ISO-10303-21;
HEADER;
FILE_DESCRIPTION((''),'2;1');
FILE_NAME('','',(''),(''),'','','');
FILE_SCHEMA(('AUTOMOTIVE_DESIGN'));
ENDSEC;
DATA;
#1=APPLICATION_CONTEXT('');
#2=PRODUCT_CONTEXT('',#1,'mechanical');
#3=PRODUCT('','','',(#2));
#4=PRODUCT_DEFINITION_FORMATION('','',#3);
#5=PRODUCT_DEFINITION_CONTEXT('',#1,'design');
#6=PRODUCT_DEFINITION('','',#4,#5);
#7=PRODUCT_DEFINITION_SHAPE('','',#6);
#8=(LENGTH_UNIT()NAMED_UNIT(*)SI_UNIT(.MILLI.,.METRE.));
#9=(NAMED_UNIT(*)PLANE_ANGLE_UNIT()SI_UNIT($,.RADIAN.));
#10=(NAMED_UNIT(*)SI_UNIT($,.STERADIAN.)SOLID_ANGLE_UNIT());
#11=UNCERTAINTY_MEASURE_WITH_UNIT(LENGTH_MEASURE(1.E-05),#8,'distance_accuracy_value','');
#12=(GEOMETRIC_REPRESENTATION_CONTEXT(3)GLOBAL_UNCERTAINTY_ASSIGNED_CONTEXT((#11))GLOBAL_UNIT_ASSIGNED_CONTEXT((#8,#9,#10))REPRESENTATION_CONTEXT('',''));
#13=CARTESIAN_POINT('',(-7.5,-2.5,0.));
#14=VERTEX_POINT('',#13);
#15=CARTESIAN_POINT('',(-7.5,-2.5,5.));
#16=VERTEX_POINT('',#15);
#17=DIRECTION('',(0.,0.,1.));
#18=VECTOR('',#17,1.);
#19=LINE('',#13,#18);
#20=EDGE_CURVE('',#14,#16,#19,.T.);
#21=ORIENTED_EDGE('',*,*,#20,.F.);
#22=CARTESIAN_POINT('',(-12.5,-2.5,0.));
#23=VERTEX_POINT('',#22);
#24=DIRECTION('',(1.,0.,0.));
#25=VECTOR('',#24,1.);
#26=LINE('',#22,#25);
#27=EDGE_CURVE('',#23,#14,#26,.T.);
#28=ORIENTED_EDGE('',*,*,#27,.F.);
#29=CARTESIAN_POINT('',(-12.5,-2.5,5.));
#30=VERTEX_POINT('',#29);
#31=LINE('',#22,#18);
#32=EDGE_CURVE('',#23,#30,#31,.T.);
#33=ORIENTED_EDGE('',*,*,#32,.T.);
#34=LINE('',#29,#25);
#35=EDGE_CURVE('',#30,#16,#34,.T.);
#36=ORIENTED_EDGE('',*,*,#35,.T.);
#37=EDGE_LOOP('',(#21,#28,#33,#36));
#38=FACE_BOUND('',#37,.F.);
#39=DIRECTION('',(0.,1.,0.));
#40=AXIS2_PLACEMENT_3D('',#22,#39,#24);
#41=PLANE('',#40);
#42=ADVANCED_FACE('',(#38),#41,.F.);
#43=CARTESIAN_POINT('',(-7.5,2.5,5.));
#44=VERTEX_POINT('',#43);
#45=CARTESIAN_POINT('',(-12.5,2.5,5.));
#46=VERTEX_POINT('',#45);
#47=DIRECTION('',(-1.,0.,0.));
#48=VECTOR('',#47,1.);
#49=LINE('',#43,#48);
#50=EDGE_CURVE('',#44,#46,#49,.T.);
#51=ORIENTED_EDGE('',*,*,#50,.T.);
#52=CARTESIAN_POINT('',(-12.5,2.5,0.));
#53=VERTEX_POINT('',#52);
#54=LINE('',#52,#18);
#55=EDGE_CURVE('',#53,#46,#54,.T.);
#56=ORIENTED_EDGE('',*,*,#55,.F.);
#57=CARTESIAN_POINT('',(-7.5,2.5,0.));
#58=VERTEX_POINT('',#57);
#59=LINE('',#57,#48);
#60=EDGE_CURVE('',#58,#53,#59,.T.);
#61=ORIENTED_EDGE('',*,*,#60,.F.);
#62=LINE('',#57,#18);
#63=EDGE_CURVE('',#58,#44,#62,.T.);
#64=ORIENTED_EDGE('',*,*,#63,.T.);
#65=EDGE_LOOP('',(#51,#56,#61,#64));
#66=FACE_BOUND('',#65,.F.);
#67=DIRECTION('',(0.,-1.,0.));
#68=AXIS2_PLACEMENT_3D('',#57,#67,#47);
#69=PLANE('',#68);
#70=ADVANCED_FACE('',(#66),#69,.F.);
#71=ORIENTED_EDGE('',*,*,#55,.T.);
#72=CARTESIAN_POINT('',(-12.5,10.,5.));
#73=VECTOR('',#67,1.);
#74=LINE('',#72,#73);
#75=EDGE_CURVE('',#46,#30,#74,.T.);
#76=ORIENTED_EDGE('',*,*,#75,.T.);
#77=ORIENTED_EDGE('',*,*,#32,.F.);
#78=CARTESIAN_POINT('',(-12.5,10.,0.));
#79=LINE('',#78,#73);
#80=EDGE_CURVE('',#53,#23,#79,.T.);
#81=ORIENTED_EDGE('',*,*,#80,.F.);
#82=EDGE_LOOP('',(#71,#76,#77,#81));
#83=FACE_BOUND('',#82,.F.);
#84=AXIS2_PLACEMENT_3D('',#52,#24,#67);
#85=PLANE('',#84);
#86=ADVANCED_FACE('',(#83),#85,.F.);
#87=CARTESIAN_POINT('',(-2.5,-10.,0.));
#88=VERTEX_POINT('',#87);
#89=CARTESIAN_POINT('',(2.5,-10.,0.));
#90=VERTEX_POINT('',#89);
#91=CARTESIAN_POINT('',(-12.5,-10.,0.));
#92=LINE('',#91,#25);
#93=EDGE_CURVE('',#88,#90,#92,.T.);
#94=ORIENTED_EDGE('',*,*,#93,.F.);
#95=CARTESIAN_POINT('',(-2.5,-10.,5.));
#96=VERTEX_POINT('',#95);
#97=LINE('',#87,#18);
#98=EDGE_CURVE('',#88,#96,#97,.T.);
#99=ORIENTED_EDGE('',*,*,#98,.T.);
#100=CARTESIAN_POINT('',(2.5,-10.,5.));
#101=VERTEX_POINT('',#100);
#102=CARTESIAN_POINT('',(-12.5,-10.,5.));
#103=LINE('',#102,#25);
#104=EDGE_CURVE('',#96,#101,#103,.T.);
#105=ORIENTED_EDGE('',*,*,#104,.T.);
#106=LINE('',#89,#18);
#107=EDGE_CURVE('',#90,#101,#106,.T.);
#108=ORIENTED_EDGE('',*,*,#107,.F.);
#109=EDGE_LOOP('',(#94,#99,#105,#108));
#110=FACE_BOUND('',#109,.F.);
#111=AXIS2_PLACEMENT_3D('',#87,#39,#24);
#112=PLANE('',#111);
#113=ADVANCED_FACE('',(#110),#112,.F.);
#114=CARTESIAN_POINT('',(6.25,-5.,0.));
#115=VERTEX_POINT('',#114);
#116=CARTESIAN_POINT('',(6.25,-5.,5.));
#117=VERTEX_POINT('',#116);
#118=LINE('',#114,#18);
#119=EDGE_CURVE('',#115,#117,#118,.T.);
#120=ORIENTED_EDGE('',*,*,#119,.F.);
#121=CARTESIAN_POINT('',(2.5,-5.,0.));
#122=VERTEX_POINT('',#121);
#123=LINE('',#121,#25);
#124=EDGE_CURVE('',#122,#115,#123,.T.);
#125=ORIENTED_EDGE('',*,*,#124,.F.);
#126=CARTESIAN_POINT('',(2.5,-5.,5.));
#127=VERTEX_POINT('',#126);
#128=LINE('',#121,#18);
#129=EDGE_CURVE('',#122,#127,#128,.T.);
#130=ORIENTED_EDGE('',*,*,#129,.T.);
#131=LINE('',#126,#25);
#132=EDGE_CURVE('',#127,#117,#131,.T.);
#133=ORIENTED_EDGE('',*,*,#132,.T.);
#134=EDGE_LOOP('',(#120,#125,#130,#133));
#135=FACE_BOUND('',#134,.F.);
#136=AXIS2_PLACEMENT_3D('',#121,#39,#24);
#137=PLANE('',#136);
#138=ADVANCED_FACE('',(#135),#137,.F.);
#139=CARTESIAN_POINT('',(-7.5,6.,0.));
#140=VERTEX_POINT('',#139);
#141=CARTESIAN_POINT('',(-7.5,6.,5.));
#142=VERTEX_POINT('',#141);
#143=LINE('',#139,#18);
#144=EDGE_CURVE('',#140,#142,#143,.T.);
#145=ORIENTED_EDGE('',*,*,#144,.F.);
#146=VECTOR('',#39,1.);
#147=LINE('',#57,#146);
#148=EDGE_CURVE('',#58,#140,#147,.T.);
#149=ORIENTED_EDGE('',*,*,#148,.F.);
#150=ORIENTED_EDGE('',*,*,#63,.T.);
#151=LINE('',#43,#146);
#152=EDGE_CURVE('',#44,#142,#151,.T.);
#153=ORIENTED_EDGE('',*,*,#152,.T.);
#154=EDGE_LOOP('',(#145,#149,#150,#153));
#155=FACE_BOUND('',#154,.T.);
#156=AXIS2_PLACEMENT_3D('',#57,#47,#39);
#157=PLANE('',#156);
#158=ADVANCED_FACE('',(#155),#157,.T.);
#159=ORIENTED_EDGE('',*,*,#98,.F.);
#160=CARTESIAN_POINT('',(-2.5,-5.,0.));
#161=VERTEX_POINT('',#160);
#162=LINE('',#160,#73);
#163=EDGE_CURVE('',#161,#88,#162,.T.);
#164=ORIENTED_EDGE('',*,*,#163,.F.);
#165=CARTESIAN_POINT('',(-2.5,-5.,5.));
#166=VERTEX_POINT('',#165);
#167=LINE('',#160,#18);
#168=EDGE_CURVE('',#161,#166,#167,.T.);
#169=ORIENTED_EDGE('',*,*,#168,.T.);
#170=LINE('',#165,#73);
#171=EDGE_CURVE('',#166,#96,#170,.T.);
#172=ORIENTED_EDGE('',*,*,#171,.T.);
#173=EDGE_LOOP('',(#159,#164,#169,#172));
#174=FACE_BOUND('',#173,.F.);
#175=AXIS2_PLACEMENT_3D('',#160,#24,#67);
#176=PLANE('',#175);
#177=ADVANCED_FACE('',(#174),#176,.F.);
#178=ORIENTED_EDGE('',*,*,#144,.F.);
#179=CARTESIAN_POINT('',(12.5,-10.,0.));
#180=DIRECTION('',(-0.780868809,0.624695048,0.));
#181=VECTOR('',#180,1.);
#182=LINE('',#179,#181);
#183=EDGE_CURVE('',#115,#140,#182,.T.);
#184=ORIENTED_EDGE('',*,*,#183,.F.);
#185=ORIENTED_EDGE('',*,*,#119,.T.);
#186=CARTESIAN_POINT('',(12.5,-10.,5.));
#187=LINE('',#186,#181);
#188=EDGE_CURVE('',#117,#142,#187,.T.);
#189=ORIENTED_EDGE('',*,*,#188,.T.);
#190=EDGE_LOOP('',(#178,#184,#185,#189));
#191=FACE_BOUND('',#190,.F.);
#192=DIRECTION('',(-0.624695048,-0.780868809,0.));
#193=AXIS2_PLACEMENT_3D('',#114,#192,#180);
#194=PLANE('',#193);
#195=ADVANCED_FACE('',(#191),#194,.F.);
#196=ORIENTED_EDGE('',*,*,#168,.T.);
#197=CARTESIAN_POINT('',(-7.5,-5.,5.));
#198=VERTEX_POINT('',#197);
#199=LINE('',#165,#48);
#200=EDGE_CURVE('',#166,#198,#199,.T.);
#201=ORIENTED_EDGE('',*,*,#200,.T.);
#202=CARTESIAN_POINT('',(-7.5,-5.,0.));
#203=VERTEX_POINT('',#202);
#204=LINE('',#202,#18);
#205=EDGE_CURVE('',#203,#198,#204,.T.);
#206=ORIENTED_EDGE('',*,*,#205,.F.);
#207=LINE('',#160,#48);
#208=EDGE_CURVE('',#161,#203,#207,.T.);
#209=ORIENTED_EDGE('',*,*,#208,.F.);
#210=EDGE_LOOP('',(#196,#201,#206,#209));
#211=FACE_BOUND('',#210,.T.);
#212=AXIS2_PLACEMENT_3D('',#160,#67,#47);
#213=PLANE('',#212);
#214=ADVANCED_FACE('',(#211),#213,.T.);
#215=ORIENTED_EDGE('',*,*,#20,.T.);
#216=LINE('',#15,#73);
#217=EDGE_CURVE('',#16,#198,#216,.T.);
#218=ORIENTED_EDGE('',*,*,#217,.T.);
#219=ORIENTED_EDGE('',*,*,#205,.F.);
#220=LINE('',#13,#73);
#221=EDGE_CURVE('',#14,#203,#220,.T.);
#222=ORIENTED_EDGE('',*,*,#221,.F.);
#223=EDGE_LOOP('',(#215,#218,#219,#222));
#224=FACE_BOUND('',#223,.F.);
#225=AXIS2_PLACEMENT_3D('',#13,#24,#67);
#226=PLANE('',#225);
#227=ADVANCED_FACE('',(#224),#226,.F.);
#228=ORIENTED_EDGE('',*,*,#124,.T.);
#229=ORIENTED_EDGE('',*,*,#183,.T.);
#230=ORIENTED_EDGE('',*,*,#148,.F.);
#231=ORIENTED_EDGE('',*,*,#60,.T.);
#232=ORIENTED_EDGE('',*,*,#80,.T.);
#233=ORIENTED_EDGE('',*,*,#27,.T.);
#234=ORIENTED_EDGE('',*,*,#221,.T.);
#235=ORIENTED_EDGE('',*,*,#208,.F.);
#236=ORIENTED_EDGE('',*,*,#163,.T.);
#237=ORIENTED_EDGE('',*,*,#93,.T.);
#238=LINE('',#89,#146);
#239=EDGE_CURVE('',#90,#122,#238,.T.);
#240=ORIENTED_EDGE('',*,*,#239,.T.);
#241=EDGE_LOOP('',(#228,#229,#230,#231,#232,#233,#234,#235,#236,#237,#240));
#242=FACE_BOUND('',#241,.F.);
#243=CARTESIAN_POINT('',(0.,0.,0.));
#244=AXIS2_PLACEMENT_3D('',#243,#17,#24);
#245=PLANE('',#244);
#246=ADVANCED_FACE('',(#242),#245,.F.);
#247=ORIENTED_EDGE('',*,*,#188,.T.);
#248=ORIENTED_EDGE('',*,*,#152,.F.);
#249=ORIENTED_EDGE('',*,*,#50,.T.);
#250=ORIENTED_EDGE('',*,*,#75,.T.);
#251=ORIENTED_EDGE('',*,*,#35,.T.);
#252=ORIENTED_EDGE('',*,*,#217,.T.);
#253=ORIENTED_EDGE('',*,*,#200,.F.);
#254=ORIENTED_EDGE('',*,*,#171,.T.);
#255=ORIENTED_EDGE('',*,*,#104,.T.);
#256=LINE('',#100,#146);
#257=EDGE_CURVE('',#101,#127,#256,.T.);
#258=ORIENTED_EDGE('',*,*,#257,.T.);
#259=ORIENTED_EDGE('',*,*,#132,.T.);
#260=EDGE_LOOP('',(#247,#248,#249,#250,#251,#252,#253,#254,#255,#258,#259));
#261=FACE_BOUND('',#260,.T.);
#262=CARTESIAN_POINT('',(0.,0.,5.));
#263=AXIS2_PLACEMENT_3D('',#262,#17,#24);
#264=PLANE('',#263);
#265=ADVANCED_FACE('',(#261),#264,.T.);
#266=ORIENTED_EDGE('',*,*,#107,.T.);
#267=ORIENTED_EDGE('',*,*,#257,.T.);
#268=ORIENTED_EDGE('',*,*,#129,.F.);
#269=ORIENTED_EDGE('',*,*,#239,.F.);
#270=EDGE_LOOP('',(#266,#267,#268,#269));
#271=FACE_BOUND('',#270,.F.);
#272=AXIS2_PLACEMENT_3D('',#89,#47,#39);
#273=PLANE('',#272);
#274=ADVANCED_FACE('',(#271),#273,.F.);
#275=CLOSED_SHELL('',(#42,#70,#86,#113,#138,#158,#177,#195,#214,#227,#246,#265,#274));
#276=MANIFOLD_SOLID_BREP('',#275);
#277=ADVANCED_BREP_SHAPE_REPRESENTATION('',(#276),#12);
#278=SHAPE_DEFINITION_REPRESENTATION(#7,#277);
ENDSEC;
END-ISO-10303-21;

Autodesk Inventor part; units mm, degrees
ref_plane "YZ Plane" through (0, 0, 0) normal (1, 0, 0) x (0, 1, 0)
ref_plane "XZ Plane" through (0, 0, 0) normal (0, 1, 0) x (-1, 0, 0)
ref_plane "XY Plane" through (0, 0, 0) normal (0, 0, 1) x (1, 0, 0)
sketch "Sketch1" plane through (0, 0, 0) normal (0, 0, 1) x (1, 0, 0)
  line L0 (-12.5, -10) -> (12.5, -10)
  line L1 (12.5, -10) -> (12.5, 10) construction
  line L2 (12.5, 10) -> (-12.5, 10) construction
  line L3 (-12.5, 10) -> (-12.5, -10)
  line L4 (-12.5, -10) -> (12.5, 10) construction
  line L5 (12.5, -10) -> (-12.5, 10)
  line L6 (-12.5, -2.5) -> (-7.5, -2.5)
  line L7 (-7.5, -2.5) -> (-7.5, 2.5) construction
  line L8 (-7.5, 2.5) -> (-12.5, 2.5)
  line L9 (-12.5, 2.5) -> (-12.5, -2.5)
  line L10 (-12.5, -2.5) -> (-7.5, 2.5) construction
  line L11 (-7.5, -2.5) -> (-12.5, 2.5) construction
  line L12 (-7.5, -2.5) -> (-7.5, -10)
  line L13 (-7.5, 2.5) -> (-7.5, 6)
  line L14 (-2.5, -10) -> (2.5, -10)
  line L15 (2.5, -10) -> (2.5, -5)
  line L16 (2.5, -5) -> (-2.5, -5) construction
  line L17 (-2.5, -5) -> (-2.5, -10)
  line L18 (-2.5, -10) -> (2.5, -5) construction
  line L19 (2.5, -10) -> (-2.5, -5) construction
  line L20 (-2.5, -5) -> (-7.5, -5)
  line L21 (2.5, -5) -> (6.25, -5)
  point P0 (0, 0)
  point P1 (-10, 0)
  point P2 (0, 0)
  point P3 (0, -7.5)
  point P4 (2.5, -10)
  dimension "d0" = 20
  dimension "d1" = 25
  dimension "d2" = 5
  dimension "d3" = 5
  dimension "d4" = 10
  dimension "d5" = 5
  dimension "d6" = 5
  dimension "d7" = 12.5
extrude "Extrusion1" add sketch "Sketch1" along normal blind 5 contours L3 L8 L13 L5 L21 L15 L0 L17 L20 L12 L6
equation "\"d5\" = d3"
equation "\"d6\" = d2"
properties part number "camera-bracket-rib"
